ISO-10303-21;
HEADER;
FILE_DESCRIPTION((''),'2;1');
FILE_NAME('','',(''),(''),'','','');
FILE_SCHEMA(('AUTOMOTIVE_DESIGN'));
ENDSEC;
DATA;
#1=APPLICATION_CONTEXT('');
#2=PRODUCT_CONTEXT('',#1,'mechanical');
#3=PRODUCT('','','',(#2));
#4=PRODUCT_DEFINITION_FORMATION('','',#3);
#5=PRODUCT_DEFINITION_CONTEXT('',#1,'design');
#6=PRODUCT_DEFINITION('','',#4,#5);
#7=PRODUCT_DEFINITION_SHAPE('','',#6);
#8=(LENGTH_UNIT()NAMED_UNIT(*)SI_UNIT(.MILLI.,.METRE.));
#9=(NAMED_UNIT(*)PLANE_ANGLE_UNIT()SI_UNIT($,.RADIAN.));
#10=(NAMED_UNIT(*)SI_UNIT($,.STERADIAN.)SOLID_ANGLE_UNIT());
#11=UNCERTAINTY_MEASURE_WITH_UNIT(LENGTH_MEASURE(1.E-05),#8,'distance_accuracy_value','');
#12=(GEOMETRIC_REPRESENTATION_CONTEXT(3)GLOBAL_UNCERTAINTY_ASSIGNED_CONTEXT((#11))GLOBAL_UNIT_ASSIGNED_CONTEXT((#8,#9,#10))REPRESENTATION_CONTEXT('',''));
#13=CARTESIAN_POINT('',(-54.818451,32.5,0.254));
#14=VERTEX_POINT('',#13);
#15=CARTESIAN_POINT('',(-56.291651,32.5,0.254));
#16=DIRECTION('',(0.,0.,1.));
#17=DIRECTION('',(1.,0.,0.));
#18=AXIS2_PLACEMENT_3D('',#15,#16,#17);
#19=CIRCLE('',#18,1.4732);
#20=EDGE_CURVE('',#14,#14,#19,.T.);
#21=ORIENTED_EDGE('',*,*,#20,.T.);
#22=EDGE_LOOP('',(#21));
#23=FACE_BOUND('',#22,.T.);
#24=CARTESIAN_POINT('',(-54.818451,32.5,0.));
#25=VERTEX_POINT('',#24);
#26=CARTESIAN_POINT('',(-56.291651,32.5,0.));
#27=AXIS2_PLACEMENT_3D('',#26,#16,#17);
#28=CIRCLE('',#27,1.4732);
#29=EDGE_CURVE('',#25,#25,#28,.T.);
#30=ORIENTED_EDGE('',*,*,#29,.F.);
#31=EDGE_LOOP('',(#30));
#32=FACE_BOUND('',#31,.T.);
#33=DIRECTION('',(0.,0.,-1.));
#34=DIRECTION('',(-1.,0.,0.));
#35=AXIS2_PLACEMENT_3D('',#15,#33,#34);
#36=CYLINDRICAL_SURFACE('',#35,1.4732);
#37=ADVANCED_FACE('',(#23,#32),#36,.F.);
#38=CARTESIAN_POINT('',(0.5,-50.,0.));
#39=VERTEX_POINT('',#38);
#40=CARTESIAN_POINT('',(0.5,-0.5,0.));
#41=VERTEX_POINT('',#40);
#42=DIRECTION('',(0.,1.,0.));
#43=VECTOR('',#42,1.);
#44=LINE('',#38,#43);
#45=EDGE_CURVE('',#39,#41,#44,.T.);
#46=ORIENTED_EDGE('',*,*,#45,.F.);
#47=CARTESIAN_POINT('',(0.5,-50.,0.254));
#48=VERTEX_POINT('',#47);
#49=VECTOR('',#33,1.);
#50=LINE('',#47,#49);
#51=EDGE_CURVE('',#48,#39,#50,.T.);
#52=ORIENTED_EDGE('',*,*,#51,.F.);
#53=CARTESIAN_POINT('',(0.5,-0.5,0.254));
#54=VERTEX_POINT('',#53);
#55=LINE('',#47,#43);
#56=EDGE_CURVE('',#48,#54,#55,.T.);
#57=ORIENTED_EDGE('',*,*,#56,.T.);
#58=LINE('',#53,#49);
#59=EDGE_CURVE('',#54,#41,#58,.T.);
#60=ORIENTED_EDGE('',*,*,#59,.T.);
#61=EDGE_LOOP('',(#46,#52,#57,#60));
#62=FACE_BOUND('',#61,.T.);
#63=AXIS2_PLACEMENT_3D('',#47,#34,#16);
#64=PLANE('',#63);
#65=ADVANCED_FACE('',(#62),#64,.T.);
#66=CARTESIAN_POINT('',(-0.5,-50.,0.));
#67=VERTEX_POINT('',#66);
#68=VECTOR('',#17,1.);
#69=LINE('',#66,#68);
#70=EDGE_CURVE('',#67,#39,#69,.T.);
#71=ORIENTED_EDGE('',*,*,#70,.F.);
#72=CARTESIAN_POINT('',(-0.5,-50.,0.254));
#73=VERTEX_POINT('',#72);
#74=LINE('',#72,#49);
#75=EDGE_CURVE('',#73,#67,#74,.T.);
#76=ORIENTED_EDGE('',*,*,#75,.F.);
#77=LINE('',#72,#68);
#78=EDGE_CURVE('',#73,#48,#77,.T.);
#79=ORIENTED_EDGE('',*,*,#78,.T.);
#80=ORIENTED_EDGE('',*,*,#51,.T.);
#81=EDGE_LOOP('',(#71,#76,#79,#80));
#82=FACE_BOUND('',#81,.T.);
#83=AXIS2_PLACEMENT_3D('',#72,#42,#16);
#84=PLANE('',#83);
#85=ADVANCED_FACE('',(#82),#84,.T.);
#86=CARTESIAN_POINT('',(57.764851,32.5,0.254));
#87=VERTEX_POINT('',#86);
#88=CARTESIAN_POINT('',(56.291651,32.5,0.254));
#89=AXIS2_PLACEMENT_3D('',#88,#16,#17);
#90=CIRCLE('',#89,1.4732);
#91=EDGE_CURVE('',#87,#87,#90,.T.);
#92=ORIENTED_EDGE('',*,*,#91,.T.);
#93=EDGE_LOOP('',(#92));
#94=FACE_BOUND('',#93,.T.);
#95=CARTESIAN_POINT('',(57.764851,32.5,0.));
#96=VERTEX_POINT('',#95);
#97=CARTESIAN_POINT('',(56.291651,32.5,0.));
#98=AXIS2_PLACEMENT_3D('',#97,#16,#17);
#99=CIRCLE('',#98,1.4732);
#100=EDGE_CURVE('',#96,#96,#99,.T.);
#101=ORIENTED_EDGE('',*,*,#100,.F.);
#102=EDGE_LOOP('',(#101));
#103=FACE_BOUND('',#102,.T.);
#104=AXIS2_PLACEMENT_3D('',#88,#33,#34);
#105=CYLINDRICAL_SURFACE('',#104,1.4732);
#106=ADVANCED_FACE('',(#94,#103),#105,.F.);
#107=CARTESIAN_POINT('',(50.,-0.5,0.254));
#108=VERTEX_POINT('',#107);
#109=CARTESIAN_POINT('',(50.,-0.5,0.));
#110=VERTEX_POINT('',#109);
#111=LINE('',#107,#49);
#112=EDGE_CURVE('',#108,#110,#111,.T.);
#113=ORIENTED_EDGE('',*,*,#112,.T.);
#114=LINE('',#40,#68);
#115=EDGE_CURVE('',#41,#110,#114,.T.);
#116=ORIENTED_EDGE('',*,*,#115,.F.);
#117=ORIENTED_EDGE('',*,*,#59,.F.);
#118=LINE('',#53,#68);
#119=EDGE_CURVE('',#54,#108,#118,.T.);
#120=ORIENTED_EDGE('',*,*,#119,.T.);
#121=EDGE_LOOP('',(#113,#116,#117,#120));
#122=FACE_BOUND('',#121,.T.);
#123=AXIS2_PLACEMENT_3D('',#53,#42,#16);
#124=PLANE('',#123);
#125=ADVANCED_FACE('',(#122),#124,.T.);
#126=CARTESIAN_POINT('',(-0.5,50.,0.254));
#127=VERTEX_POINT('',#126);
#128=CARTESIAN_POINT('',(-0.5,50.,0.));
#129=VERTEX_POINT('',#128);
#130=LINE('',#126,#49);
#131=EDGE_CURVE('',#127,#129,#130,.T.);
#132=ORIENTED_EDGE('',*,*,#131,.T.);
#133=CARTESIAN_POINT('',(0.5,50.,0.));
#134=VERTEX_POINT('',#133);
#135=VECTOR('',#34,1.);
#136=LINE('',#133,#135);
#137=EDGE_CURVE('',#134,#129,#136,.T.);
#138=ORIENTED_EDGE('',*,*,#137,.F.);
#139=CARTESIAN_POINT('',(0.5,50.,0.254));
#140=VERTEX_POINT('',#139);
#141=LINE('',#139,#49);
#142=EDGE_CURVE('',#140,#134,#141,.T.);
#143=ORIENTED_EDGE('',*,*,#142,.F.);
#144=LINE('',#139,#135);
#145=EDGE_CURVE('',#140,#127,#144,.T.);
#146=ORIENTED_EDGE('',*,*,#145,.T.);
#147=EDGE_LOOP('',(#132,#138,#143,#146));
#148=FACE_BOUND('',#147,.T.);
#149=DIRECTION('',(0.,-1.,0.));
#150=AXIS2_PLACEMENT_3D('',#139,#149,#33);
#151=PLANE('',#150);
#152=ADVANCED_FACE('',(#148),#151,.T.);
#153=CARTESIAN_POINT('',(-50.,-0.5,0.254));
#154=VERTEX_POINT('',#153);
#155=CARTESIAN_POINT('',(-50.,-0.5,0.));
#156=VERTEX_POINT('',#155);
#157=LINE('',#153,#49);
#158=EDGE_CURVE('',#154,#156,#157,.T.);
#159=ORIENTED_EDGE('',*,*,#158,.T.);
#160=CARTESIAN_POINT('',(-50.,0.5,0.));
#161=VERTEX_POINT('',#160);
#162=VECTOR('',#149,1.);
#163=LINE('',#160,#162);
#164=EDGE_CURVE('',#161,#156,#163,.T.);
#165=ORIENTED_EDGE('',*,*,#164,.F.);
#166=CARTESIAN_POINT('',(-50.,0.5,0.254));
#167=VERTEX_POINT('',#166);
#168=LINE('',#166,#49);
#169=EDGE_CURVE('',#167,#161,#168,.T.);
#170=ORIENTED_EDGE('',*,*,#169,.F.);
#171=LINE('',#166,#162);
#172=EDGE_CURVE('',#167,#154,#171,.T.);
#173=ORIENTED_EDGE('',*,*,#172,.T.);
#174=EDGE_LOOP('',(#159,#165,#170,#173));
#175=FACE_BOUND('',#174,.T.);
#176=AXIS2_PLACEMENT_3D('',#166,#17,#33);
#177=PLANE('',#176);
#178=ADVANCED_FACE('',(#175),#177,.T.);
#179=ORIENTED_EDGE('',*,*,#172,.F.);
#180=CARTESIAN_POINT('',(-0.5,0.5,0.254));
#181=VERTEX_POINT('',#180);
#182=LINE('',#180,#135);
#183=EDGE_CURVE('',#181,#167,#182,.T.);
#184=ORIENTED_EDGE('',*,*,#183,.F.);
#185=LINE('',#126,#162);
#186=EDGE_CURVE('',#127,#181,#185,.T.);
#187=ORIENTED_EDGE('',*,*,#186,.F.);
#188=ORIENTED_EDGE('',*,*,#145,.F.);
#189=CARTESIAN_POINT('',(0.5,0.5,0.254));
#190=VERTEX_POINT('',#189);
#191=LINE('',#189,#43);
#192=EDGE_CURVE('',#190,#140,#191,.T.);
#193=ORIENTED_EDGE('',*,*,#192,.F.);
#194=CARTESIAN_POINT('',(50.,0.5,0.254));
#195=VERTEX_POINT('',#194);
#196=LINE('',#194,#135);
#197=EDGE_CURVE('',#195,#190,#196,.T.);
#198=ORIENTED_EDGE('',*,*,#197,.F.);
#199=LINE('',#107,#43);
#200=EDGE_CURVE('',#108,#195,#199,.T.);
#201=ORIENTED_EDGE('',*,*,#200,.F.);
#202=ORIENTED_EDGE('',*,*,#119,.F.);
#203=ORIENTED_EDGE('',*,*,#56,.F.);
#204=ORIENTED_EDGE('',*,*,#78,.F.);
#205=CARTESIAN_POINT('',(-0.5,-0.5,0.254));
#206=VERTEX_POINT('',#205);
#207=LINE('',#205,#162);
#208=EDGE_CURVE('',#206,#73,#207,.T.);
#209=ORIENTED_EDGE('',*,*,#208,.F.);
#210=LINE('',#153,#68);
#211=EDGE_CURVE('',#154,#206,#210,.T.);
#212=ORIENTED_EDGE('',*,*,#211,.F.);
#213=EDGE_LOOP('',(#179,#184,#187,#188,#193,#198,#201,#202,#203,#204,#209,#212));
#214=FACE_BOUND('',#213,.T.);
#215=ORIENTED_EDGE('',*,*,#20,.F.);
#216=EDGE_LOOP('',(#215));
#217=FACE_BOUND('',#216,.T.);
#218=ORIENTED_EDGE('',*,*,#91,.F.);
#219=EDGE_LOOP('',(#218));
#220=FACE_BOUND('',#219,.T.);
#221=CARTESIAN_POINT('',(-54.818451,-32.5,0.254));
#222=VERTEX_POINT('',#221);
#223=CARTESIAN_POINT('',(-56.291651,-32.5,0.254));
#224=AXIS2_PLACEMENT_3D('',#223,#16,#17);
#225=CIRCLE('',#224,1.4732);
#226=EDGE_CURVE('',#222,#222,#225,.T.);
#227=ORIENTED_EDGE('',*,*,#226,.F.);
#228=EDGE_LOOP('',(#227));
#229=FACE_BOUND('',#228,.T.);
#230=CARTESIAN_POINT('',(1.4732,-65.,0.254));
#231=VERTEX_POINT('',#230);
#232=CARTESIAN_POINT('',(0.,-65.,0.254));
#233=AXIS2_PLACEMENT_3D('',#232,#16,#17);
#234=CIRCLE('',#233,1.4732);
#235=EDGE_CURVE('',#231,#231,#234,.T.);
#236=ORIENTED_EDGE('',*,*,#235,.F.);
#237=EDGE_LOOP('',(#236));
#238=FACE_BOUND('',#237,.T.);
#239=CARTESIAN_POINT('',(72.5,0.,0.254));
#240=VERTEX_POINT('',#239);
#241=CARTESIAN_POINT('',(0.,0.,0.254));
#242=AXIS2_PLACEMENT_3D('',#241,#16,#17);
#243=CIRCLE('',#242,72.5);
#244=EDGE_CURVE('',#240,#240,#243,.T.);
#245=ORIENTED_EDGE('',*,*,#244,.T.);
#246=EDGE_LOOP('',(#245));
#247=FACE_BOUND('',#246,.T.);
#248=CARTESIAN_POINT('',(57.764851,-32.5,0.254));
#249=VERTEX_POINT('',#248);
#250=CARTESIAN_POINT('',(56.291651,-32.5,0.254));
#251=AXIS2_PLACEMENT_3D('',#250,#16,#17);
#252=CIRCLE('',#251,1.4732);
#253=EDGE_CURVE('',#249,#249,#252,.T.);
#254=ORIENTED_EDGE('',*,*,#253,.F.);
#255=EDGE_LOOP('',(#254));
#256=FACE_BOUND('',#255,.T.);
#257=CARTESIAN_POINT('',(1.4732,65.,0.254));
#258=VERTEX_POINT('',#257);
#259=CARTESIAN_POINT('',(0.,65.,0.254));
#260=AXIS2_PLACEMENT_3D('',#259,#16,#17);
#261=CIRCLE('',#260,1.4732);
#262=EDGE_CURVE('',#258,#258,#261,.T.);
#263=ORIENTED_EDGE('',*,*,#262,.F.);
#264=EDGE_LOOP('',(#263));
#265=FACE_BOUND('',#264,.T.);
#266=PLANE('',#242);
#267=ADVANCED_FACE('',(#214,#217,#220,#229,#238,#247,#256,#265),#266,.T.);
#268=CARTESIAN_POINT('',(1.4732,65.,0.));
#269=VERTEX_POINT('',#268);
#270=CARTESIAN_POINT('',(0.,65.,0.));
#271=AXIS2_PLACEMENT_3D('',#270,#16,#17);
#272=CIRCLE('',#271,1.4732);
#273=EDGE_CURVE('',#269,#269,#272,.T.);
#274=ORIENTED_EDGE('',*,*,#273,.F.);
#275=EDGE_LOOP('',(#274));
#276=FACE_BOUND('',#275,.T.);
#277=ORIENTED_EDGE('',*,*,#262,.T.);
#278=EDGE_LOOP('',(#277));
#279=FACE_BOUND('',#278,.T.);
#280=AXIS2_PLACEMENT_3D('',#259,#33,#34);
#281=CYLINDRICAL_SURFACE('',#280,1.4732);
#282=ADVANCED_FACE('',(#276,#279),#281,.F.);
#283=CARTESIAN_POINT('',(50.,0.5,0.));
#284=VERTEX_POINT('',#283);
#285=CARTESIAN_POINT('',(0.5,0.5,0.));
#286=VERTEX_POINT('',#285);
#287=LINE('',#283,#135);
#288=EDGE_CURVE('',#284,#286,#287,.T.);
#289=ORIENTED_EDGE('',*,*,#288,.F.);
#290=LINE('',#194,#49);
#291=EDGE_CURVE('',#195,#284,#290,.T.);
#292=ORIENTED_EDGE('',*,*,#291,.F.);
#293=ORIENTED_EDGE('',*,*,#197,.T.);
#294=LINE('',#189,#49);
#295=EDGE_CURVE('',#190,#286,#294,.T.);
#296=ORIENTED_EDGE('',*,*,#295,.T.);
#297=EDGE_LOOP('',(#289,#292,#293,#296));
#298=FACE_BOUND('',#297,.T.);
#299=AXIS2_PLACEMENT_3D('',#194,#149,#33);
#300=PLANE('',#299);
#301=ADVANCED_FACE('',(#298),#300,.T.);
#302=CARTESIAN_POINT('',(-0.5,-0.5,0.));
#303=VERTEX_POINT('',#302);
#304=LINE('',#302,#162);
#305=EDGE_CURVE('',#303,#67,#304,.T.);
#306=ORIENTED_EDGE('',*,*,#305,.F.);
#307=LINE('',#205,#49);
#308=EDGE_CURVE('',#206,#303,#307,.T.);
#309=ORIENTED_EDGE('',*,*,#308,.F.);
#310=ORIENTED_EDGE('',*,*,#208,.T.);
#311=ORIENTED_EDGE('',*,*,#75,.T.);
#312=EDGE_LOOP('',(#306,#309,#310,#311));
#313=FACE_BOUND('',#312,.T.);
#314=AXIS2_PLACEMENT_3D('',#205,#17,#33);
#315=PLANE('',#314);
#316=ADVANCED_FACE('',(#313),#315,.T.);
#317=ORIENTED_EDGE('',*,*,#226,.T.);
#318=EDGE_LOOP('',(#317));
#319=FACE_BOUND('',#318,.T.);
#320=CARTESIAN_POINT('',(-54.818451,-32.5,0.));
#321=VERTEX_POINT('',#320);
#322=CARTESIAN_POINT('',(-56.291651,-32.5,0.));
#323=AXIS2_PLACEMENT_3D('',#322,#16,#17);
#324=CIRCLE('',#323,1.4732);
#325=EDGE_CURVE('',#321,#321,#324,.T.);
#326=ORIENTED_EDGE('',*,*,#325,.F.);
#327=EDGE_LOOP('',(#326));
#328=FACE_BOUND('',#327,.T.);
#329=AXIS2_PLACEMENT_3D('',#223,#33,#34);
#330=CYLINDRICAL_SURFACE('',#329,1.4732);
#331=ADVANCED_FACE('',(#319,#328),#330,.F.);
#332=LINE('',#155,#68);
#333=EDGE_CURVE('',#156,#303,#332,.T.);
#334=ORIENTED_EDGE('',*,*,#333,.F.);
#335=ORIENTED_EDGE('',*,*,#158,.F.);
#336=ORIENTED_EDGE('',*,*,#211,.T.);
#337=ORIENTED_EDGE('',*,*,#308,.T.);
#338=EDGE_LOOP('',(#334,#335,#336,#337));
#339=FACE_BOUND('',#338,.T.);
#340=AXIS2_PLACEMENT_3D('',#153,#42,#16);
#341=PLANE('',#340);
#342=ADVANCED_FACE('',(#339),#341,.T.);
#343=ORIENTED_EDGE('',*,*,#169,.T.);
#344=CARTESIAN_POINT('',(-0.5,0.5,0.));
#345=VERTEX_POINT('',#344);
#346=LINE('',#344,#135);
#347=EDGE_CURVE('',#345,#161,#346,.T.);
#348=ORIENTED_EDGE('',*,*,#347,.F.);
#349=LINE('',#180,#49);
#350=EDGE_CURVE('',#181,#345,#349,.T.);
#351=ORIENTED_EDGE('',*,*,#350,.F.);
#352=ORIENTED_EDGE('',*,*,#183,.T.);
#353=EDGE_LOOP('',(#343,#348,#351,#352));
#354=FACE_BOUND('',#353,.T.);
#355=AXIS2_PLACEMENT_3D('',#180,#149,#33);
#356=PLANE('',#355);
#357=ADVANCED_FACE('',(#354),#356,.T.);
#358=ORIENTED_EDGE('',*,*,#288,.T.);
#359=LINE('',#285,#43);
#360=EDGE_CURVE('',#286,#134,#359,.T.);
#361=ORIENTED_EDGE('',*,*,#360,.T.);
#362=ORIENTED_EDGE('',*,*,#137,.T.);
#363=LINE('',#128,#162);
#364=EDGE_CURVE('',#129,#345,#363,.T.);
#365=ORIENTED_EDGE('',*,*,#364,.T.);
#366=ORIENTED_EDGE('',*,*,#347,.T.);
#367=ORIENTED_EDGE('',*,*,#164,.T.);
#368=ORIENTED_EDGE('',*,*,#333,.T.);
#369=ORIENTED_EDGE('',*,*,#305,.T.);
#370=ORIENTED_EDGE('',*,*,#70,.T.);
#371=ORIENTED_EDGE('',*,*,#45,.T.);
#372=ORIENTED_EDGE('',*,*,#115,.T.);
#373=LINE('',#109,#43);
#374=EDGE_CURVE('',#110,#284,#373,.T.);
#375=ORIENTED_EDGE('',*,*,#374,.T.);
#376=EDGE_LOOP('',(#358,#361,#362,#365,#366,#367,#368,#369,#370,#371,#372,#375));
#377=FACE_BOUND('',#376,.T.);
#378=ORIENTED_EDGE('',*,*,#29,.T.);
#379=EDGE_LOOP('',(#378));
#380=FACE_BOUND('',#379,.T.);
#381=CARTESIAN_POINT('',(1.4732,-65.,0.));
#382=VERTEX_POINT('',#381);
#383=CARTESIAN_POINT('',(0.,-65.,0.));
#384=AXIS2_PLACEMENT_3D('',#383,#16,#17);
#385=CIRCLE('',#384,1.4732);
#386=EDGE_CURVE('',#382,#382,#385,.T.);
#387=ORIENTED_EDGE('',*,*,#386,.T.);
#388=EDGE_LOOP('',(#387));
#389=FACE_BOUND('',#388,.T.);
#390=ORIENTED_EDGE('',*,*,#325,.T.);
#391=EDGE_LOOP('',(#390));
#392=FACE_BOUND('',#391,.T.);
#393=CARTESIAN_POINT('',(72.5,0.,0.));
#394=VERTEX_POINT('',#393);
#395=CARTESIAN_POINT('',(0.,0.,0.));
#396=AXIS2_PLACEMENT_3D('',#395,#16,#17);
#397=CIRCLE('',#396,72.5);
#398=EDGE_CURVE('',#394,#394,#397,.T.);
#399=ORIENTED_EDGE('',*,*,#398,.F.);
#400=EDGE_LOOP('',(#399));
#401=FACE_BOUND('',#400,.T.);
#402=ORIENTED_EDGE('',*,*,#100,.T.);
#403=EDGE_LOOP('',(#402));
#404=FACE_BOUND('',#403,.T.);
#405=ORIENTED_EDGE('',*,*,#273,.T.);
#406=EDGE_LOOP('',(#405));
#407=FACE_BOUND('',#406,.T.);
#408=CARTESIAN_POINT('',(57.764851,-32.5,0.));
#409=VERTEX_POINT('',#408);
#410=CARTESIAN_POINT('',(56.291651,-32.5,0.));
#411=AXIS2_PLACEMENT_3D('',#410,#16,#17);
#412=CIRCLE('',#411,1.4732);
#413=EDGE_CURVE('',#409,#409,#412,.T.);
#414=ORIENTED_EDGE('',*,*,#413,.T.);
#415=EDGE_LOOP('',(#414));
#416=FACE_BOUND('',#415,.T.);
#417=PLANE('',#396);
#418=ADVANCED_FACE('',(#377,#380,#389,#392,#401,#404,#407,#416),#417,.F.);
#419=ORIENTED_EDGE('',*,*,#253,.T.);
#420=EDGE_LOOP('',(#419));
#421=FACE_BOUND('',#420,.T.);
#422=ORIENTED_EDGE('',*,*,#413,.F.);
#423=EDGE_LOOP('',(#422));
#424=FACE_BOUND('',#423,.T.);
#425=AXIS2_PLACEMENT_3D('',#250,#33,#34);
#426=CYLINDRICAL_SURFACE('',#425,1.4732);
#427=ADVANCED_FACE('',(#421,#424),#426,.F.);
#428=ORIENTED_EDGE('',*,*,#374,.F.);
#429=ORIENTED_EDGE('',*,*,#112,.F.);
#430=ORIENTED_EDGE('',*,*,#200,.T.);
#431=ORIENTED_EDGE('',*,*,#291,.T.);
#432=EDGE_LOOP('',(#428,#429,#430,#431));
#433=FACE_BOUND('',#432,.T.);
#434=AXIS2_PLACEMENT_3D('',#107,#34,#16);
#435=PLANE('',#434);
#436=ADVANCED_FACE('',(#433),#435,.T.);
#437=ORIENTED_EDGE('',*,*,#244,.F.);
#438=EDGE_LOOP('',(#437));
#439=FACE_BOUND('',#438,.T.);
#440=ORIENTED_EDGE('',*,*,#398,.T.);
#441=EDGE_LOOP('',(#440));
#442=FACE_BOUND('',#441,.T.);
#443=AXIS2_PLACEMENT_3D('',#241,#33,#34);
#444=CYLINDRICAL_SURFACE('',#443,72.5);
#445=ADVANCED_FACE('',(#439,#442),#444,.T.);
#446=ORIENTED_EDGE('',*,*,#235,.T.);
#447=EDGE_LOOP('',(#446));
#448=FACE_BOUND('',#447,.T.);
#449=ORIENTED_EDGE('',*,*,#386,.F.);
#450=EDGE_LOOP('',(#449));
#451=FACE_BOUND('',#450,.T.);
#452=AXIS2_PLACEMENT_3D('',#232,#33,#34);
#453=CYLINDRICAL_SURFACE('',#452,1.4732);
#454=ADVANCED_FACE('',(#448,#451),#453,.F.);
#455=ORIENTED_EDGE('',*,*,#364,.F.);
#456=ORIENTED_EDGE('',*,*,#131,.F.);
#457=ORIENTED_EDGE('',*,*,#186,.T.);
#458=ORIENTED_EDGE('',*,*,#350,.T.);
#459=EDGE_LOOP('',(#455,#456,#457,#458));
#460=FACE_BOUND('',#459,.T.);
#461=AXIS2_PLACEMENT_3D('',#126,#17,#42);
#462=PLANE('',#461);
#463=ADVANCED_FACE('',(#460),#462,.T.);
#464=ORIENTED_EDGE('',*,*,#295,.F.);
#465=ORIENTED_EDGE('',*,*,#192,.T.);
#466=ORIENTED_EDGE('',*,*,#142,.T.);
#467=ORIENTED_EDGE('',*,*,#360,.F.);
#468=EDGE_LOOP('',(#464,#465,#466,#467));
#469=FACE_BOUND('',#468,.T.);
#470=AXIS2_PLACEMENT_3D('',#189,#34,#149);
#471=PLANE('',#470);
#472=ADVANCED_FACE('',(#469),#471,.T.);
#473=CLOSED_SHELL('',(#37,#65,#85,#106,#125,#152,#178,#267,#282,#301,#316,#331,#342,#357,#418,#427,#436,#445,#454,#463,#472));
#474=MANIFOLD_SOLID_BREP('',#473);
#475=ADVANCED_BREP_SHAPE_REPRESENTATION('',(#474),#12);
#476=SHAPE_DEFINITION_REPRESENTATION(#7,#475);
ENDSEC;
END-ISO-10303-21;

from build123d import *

# Parameters (mm, degrees)
SKETCH2_R           = 72.5
SKETCH2_R_2         = 1.4732
BOSS_EXTRUDE3_DEPTH = 0.254


with BuildPart() as part:
    # Sketch2 → Boss-Extrude3 (new body)
    with BuildSketch(Plane.XY):
        Circle(SKETCH2_R)
        with Locations((56.291651246, -32.5)):
            Circle(SKETCH2_R_2, mode=Mode.SUBTRACT)
        with Locations((0, -65)):
            Circle(SKETCH2_R_2, mode=Mode.SUBTRACT)
        with Locations((-56.291651246, -32.5)):
            Circle(SKETCH2_R_2, mode=Mode.SUBTRACT)
        with Locations((-56.291651246, 32.5)):
            Circle(SKETCH2_R_2, mode=Mode.SUBTRACT)
        with Locations((0, 65)):
            Circle(SKETCH2_R_2, mode=Mode.SUBTRACT)
        with Locations((56.291651246, 32.5)):
            Circle(SKETCH2_R_2, mode=Mode.SUBTRACT)
        Polygon((-0.5, 50), (-0.5, 0.5), (-50, 0.5), (-50, -0.5), (-0.5, -0.5), (-0.5, -50), (0.5, -50), (0.5, -0.5), (50, -0.5), (50, 0.5), (0.5, 0.5), (0.5, 50), align=None, mode=Mode.SUBTRACT)
    extrude(amount=BOSS_EXTRUDE3_DEPTH)


solid = part.part
